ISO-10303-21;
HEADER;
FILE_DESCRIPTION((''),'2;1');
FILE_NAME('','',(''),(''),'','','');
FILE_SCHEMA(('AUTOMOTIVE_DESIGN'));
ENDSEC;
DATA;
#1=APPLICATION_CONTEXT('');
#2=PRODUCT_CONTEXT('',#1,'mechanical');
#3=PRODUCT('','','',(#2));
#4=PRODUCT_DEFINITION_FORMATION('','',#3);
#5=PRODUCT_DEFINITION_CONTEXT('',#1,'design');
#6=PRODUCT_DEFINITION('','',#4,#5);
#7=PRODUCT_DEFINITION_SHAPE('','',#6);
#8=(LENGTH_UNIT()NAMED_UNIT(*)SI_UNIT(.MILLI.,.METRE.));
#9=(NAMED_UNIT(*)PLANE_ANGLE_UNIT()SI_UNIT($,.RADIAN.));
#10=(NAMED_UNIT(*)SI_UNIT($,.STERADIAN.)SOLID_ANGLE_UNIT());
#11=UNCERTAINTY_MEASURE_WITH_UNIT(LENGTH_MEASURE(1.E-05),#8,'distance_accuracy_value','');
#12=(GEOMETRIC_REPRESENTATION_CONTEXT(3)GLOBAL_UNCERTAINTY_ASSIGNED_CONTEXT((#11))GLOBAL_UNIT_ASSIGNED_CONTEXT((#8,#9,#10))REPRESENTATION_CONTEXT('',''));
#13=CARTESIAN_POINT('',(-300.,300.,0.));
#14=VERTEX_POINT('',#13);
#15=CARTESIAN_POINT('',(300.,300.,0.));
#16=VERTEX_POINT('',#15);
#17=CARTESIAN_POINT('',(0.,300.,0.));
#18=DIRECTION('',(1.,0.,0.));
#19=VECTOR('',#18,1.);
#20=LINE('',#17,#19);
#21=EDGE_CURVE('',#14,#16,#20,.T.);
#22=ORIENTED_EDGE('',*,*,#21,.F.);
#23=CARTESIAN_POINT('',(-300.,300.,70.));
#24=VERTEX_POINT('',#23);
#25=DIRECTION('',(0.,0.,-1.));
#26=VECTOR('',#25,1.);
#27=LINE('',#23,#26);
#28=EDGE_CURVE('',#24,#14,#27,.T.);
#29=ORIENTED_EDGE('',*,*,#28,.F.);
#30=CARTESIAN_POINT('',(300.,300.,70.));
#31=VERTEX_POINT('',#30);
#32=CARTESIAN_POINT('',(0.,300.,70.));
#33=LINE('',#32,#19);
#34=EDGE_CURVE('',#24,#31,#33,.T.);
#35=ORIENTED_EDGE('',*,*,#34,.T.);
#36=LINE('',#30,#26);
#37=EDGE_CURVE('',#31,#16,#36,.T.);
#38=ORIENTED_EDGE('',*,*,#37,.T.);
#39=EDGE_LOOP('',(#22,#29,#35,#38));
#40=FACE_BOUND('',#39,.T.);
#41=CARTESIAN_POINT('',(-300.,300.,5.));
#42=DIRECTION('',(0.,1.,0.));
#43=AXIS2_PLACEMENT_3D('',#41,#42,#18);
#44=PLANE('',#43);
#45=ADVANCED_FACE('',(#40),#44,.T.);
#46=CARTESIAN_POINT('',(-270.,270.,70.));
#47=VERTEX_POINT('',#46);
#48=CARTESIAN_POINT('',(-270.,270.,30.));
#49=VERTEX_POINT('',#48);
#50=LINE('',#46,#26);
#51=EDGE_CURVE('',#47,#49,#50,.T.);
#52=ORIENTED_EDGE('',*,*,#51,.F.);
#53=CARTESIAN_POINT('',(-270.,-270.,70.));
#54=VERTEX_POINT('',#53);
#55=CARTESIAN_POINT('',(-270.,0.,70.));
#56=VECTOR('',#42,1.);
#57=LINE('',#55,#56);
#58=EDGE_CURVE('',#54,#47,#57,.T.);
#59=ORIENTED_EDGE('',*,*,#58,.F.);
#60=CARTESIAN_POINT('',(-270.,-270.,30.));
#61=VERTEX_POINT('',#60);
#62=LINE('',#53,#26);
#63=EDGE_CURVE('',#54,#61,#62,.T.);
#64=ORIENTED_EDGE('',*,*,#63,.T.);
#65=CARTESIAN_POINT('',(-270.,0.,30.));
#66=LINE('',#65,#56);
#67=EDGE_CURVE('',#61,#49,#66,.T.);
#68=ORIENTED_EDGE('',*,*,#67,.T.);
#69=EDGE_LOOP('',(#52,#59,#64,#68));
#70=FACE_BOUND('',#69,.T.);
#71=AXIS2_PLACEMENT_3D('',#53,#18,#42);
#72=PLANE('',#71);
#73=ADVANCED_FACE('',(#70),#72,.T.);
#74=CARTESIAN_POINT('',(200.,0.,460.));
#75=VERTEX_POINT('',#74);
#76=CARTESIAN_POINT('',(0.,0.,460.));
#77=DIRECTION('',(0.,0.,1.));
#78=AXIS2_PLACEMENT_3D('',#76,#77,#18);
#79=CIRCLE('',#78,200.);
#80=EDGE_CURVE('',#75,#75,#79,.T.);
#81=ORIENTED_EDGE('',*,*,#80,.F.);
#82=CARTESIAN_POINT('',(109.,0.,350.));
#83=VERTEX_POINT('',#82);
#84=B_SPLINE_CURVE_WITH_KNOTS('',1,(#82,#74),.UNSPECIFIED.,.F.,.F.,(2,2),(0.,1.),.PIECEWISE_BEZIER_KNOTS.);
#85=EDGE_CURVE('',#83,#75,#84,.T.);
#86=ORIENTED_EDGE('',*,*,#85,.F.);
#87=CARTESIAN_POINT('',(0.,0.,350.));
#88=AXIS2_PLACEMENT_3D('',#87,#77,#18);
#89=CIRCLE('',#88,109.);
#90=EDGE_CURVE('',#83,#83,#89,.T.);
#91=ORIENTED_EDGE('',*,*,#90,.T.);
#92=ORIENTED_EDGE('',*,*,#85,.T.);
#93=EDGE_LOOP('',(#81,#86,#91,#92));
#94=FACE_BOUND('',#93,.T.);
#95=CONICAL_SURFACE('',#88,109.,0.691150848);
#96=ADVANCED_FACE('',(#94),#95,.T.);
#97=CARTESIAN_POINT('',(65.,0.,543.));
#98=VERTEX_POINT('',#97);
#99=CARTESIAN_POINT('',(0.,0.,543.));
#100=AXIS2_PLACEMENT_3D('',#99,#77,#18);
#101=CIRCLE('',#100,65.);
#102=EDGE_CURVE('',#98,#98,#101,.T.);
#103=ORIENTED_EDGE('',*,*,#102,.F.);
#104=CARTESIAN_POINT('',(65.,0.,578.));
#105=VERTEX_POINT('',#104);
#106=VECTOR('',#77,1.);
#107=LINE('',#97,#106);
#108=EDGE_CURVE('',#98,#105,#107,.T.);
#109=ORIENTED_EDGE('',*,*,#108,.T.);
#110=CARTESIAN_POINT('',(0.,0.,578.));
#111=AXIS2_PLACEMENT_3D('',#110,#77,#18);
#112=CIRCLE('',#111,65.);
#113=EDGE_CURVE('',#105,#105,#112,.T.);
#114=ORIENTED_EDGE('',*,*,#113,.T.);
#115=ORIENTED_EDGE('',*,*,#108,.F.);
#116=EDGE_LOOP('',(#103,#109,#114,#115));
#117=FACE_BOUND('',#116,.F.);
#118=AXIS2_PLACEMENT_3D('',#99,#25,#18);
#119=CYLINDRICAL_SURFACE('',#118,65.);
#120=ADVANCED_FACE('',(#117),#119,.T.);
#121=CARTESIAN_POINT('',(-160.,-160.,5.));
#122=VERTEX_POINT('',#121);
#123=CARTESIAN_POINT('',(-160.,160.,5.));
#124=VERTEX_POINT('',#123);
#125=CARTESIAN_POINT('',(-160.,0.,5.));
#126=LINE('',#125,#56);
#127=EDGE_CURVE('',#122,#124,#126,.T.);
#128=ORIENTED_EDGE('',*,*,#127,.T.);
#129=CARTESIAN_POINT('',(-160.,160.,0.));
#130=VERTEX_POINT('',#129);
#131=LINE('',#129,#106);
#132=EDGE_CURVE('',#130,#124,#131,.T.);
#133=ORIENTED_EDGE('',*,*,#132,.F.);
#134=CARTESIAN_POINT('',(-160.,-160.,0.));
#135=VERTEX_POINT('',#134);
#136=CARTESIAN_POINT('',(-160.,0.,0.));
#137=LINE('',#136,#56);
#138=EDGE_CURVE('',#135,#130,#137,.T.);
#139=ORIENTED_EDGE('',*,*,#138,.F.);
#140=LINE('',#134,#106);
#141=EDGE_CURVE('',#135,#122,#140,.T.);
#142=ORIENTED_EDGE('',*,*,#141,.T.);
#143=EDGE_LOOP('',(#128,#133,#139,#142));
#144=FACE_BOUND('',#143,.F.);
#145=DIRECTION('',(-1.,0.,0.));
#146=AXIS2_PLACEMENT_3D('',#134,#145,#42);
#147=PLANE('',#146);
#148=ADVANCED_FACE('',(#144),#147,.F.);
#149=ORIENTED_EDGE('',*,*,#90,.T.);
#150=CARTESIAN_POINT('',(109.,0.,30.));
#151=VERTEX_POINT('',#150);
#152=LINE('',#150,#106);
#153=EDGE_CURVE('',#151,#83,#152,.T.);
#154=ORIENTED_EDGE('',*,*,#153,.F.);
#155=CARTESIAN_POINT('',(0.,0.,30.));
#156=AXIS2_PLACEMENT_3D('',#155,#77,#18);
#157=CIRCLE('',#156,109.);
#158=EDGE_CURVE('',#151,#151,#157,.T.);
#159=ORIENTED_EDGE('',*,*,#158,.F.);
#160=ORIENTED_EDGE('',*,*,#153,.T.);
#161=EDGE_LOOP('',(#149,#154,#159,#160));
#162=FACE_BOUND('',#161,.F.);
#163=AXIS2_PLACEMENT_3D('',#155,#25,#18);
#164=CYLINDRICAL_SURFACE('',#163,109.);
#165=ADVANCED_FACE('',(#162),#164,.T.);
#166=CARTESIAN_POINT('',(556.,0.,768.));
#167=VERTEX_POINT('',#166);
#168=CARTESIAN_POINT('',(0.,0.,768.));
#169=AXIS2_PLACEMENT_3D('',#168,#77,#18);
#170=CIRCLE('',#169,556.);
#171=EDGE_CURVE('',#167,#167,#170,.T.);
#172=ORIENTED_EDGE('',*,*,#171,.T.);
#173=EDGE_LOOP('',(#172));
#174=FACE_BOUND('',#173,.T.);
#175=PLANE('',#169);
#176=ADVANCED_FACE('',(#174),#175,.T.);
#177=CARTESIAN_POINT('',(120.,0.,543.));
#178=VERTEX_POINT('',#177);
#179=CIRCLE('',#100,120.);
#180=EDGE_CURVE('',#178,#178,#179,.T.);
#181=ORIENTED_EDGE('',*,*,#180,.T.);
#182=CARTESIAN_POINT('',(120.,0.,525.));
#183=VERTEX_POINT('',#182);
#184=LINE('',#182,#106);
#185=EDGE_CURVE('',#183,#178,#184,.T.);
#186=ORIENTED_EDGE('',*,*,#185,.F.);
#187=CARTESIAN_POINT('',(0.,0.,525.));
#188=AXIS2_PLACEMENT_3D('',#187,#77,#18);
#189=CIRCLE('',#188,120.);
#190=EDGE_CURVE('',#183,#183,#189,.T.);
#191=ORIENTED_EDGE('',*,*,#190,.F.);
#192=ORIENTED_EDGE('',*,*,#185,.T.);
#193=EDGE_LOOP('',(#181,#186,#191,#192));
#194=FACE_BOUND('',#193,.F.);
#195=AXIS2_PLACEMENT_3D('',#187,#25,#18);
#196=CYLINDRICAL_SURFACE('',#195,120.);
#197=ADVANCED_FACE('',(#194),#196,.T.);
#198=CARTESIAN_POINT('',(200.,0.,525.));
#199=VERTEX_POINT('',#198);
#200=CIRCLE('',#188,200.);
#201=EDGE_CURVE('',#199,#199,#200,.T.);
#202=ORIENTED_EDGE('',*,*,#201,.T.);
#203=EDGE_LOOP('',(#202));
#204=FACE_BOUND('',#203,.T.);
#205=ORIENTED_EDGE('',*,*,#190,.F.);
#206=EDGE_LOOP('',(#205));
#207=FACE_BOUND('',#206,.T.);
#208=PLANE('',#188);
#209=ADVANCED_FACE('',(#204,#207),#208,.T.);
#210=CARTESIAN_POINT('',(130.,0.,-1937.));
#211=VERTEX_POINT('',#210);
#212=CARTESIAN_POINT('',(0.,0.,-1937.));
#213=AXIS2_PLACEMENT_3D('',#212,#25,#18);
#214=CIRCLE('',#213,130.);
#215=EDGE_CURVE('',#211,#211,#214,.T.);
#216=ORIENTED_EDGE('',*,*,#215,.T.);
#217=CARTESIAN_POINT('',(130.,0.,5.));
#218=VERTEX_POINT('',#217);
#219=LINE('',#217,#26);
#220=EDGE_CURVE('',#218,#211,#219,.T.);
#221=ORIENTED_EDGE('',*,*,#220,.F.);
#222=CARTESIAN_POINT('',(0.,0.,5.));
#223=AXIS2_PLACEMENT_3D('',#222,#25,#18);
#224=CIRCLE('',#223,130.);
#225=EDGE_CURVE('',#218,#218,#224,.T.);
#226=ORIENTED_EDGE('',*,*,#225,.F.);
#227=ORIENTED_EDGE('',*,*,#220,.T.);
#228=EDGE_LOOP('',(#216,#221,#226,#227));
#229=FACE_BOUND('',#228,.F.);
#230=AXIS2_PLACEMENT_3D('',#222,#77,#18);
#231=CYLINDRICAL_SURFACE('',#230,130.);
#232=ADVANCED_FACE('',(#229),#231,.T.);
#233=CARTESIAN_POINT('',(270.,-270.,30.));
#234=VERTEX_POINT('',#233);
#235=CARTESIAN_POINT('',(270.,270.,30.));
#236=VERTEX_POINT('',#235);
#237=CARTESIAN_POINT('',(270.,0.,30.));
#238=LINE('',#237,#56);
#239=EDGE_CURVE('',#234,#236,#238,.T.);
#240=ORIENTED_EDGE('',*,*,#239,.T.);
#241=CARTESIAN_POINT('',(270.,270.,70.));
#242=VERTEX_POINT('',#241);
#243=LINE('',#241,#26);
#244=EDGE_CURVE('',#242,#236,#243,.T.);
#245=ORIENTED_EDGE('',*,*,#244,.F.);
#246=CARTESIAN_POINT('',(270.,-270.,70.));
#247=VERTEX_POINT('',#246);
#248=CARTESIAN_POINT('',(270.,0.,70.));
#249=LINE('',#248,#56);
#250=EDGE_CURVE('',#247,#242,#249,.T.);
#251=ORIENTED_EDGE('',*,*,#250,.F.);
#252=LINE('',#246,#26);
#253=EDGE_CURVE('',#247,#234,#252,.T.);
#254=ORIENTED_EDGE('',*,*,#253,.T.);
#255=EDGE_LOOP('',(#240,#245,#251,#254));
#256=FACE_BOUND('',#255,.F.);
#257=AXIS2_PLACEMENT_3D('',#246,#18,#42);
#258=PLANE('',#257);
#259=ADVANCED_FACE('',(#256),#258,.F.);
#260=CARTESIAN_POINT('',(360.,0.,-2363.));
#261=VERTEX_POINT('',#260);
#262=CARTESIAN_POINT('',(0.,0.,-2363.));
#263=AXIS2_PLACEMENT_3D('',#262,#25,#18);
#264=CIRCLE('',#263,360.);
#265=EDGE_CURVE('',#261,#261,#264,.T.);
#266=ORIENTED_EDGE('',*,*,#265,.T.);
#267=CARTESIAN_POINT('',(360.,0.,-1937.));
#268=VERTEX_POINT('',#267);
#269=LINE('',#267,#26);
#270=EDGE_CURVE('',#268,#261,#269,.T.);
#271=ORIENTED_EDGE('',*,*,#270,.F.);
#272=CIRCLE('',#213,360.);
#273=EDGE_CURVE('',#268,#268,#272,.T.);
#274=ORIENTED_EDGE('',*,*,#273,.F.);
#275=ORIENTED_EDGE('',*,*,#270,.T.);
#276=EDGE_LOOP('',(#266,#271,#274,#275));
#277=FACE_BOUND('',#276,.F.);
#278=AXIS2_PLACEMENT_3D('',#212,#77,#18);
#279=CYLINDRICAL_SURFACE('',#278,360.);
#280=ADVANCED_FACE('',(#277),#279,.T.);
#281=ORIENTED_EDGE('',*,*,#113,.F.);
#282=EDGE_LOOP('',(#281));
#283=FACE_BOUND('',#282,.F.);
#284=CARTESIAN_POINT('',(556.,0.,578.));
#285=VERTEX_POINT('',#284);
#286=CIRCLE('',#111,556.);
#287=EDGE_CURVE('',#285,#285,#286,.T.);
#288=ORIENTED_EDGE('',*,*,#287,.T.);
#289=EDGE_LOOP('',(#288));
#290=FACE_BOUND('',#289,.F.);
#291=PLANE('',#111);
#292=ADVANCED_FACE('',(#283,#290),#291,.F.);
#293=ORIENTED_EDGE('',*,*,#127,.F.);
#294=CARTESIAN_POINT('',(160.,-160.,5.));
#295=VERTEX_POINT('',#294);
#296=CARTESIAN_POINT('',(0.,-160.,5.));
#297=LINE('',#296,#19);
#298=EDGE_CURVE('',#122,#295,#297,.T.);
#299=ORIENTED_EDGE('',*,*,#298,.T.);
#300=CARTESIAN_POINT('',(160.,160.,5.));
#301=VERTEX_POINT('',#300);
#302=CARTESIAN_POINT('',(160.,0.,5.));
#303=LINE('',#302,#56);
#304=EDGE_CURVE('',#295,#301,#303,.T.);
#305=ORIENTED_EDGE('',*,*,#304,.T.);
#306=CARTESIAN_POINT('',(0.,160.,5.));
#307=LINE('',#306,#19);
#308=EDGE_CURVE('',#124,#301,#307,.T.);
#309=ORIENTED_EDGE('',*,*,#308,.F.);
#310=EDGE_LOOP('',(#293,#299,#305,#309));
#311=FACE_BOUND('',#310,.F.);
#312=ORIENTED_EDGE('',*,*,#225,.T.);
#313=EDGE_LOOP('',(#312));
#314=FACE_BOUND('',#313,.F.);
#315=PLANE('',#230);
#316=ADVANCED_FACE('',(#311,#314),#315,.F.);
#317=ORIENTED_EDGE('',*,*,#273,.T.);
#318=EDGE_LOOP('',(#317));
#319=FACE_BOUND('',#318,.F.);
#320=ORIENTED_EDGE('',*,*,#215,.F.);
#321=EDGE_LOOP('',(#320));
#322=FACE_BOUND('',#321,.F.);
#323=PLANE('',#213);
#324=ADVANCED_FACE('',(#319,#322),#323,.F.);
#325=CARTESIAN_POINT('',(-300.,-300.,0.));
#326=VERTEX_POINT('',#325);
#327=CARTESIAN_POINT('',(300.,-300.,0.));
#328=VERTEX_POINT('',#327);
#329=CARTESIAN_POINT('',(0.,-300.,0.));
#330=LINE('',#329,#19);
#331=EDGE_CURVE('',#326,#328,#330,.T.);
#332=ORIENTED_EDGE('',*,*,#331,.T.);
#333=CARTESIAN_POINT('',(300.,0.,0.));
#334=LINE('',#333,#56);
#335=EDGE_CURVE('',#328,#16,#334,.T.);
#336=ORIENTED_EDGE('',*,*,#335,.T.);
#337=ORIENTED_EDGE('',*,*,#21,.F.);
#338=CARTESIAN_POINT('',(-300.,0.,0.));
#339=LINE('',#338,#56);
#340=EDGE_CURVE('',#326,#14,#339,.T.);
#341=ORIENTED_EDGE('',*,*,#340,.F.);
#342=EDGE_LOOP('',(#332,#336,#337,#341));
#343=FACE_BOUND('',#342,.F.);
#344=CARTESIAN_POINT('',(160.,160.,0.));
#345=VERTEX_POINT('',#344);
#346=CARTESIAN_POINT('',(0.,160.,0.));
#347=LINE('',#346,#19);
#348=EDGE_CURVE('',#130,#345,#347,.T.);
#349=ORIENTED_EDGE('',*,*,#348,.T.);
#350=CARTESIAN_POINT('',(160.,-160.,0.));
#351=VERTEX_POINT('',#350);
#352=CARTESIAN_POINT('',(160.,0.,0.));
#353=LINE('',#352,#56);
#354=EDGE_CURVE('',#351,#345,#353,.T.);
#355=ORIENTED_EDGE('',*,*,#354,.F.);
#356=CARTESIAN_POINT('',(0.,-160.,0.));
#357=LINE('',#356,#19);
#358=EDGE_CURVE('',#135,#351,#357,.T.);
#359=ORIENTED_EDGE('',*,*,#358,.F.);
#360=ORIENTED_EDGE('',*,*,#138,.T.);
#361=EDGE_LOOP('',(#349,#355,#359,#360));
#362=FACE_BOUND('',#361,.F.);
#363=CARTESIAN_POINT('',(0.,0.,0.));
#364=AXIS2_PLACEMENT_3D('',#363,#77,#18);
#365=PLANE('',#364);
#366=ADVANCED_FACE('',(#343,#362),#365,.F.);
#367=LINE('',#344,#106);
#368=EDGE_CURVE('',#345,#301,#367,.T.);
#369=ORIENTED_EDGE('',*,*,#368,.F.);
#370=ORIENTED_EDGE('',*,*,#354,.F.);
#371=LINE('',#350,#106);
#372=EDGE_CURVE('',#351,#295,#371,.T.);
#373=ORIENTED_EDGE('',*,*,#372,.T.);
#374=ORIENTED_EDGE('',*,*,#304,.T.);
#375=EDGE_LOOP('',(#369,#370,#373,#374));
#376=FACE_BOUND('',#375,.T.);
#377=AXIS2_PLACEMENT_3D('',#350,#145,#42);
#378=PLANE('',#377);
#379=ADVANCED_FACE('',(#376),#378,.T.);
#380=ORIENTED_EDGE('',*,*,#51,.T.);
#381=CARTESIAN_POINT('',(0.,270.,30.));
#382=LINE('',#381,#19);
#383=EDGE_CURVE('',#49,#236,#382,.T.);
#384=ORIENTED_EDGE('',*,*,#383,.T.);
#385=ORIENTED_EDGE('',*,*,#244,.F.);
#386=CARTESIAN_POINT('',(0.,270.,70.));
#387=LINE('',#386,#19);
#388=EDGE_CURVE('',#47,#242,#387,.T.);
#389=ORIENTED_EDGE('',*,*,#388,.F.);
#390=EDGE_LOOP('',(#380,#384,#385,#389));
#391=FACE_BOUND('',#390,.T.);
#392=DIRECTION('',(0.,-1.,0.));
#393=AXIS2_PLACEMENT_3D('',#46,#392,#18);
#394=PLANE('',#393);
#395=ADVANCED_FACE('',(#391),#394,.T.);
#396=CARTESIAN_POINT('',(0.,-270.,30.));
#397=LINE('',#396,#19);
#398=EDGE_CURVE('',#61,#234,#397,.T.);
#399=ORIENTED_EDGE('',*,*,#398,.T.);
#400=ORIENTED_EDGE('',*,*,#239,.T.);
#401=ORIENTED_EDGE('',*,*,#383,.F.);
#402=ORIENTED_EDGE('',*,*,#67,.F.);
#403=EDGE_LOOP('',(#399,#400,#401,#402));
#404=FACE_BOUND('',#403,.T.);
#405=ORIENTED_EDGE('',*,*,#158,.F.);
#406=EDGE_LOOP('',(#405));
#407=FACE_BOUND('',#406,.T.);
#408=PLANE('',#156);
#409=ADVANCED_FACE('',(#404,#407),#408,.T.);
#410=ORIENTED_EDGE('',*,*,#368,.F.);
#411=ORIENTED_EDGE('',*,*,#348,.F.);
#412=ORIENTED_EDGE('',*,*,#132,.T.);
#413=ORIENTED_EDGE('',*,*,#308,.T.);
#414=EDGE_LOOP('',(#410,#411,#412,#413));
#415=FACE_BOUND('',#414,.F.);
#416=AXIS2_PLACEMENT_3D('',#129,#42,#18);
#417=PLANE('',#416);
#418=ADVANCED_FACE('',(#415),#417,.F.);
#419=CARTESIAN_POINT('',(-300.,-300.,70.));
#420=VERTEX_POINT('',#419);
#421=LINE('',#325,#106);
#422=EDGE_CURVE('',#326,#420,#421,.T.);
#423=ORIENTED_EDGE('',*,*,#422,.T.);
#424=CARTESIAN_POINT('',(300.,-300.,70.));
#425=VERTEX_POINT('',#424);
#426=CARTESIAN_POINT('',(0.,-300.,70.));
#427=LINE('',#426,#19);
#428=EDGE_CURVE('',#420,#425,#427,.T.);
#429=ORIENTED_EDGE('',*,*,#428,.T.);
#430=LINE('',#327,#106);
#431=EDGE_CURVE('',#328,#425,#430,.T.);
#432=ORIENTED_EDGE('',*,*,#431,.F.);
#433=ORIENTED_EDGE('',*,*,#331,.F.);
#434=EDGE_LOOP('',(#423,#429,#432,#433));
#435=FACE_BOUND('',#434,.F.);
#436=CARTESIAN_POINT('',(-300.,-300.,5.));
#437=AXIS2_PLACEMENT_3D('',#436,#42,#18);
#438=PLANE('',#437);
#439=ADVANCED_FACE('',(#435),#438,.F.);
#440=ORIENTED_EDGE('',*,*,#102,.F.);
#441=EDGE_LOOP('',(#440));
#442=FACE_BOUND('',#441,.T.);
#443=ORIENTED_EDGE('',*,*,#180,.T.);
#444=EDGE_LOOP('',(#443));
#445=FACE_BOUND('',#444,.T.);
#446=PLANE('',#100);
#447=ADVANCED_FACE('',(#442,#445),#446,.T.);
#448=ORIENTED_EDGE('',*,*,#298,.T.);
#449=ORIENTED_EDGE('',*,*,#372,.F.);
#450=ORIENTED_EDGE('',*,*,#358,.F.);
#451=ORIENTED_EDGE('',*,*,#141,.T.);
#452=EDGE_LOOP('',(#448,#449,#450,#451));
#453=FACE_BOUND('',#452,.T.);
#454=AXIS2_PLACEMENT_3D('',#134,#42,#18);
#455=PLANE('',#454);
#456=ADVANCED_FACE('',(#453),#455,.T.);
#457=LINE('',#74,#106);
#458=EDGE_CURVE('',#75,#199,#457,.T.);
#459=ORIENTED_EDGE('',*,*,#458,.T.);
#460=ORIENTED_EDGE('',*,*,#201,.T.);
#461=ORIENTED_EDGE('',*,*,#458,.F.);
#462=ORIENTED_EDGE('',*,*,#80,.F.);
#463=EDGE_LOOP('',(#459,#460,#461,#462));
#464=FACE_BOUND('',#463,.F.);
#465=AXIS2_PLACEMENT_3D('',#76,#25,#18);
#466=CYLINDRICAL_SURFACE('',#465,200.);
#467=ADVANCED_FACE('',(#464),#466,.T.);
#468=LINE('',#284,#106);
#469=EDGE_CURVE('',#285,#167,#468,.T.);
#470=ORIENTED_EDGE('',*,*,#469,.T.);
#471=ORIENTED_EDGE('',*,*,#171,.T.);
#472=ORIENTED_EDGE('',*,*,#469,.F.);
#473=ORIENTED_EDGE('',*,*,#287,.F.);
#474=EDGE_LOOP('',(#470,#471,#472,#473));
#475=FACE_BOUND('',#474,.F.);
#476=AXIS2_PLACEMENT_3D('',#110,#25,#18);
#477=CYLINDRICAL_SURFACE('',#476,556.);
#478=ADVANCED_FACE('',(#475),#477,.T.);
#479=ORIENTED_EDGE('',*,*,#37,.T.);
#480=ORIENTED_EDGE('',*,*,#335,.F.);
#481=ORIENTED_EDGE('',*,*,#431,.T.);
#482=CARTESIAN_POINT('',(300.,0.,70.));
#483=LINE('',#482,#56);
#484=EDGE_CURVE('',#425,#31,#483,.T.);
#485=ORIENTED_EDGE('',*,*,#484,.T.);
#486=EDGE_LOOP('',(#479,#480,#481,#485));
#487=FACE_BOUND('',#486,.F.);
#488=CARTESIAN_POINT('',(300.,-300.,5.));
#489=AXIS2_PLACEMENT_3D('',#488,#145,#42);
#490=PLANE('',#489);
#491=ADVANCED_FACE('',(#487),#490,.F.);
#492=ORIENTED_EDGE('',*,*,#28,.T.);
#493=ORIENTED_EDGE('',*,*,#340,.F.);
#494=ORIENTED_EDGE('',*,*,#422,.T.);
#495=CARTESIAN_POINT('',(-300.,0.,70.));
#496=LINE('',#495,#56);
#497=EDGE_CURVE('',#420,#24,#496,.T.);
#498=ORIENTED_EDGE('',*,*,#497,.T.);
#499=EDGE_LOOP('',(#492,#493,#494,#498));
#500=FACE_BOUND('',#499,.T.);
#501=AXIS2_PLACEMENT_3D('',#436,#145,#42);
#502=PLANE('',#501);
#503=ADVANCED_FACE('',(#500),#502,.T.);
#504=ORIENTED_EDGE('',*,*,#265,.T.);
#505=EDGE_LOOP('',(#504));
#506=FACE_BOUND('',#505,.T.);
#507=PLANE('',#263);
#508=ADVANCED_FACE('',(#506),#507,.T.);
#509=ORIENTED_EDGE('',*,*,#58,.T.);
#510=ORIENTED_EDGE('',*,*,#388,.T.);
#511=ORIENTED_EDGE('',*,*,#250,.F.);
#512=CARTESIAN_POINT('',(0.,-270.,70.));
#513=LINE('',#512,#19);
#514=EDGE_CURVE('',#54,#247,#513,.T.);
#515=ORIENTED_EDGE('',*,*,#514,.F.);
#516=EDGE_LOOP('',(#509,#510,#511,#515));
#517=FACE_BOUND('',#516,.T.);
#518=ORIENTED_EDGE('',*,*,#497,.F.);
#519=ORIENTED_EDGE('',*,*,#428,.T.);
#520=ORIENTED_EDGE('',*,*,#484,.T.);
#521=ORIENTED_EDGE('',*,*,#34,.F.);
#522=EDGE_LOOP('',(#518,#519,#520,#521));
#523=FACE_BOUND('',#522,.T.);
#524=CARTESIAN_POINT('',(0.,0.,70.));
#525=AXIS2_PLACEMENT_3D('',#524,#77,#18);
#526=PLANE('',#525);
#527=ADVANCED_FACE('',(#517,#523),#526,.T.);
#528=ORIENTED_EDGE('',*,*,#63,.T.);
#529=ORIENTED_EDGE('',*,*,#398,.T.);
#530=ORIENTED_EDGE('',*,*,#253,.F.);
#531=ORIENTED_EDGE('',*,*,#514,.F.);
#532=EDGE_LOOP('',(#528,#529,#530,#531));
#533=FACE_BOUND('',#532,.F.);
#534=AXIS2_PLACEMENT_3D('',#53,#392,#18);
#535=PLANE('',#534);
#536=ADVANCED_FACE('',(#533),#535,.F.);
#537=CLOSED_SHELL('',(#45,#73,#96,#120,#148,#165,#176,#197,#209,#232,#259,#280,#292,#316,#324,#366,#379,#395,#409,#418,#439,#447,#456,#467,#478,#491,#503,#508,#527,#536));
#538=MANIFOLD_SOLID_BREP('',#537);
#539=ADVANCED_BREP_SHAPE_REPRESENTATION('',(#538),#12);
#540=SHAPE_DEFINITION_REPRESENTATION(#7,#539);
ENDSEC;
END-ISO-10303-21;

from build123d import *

# Parameters (mm, degrees)
F0_W      = 600
F0_H      = 600
F0_W_2    = 320
F0_H_2    = 320
F1_DEPTH  = 5
F2_W      = 600
F2_H      = 600
F3_DEPTH  = 65
F4_W      = 540
F4_H      = 540
F5_DEPTH  = 40
F6_R      = 109
F7_DEPTH  = 320
F8_R      = 109
F10_R     = 200
F12_R     = 200
F13_DEPTH = 65
F14_R     = 120
F15_DEPTH = 18
F16_R     = 65
F17_DEPTH = 35
F18_R     = 556
F19_DEPTH = 190
F20_R     = 130
F21_DEPTH = 1942
F22_R     = 360
F23_DEPTH = 426


with BuildPart() as f1:
    # F0 (on Top) → F1 (new body)
    with BuildSketch(Plane.XY):
        Rectangle(F0_W, F0_H)
        Rectangle(F0_W_2, F0_H_2, mode=Mode.SUBTRACT)
    extrude(amount=F1_DEPTH)

    # F2 (on face) → F3 (join)
    with BuildSketch(Plane.XY.offset(5)):
        Rectangle(F2_W, F2_H)
    extrude(amount=F3_DEPTH)

    # F4 (on face) → F5 (cut)
    with BuildSketch(Plane.XY.offset(70)):
        Rectangle(F4_W, F4_H)
    extrude(amount=-F5_DEPTH, mode=Mode.SUBTRACT)

    # F6 (on face) → F7 (join)
    with BuildSketch(Plane.XY.offset(30)):
        Circle(F6_R)
    extrude(amount=F7_DEPTH)

    # F8 (on face) → F11 section 0
    with BuildSketch(Plane.XY.offset(350)):
        Circle(F8_R)
    # F10 (on offset) → F11 section 1
    with BuildSketch(Plane.XY.offset(460)):
        Circle(F10_R)
    loft()

    # F12 (on face) → F13 (join)
    with BuildSketch(Plane.XY.offset(460)):
        Circle(F12_R)
    extrude(amount=F13_DEPTH)

    # F14 (on face) → F15 (join)
    with BuildSketch(Plane.XY.offset(525)):
        Circle(F14_R)
    extrude(amount=F15_DEPTH)

    # F16 (on face) → F17 (join)
    with BuildSketch(Plane.XY.offset(543)):
        Circle(F16_R)
    extrude(amount=F17_DEPTH)

    # F18 (on face) → F19 (join)
    with BuildSketch(Plane.XY.offset(578)):
        Circle(F18_R)
    extrude(amount=F19_DEPTH)

    # F20 (on face) → F21 (join)
    with BuildSketch(Plane(origin=(0, 0, 5), x_dir=(1, 0, 0), z_dir=(0, 0, -1))):
        Circle(F20_R)
    extrude(amount=F21_DEPTH)

    # F22 (on face) → F23 (join)
    with BuildSketch(Plane(origin=(0, 0, -1937), x_dir=(1, 0, 0), z_dir=(0, 0, -1))):
        Circle(F22_R)
    extrude(amount=F23_DEPTH)


solid = f1.part
